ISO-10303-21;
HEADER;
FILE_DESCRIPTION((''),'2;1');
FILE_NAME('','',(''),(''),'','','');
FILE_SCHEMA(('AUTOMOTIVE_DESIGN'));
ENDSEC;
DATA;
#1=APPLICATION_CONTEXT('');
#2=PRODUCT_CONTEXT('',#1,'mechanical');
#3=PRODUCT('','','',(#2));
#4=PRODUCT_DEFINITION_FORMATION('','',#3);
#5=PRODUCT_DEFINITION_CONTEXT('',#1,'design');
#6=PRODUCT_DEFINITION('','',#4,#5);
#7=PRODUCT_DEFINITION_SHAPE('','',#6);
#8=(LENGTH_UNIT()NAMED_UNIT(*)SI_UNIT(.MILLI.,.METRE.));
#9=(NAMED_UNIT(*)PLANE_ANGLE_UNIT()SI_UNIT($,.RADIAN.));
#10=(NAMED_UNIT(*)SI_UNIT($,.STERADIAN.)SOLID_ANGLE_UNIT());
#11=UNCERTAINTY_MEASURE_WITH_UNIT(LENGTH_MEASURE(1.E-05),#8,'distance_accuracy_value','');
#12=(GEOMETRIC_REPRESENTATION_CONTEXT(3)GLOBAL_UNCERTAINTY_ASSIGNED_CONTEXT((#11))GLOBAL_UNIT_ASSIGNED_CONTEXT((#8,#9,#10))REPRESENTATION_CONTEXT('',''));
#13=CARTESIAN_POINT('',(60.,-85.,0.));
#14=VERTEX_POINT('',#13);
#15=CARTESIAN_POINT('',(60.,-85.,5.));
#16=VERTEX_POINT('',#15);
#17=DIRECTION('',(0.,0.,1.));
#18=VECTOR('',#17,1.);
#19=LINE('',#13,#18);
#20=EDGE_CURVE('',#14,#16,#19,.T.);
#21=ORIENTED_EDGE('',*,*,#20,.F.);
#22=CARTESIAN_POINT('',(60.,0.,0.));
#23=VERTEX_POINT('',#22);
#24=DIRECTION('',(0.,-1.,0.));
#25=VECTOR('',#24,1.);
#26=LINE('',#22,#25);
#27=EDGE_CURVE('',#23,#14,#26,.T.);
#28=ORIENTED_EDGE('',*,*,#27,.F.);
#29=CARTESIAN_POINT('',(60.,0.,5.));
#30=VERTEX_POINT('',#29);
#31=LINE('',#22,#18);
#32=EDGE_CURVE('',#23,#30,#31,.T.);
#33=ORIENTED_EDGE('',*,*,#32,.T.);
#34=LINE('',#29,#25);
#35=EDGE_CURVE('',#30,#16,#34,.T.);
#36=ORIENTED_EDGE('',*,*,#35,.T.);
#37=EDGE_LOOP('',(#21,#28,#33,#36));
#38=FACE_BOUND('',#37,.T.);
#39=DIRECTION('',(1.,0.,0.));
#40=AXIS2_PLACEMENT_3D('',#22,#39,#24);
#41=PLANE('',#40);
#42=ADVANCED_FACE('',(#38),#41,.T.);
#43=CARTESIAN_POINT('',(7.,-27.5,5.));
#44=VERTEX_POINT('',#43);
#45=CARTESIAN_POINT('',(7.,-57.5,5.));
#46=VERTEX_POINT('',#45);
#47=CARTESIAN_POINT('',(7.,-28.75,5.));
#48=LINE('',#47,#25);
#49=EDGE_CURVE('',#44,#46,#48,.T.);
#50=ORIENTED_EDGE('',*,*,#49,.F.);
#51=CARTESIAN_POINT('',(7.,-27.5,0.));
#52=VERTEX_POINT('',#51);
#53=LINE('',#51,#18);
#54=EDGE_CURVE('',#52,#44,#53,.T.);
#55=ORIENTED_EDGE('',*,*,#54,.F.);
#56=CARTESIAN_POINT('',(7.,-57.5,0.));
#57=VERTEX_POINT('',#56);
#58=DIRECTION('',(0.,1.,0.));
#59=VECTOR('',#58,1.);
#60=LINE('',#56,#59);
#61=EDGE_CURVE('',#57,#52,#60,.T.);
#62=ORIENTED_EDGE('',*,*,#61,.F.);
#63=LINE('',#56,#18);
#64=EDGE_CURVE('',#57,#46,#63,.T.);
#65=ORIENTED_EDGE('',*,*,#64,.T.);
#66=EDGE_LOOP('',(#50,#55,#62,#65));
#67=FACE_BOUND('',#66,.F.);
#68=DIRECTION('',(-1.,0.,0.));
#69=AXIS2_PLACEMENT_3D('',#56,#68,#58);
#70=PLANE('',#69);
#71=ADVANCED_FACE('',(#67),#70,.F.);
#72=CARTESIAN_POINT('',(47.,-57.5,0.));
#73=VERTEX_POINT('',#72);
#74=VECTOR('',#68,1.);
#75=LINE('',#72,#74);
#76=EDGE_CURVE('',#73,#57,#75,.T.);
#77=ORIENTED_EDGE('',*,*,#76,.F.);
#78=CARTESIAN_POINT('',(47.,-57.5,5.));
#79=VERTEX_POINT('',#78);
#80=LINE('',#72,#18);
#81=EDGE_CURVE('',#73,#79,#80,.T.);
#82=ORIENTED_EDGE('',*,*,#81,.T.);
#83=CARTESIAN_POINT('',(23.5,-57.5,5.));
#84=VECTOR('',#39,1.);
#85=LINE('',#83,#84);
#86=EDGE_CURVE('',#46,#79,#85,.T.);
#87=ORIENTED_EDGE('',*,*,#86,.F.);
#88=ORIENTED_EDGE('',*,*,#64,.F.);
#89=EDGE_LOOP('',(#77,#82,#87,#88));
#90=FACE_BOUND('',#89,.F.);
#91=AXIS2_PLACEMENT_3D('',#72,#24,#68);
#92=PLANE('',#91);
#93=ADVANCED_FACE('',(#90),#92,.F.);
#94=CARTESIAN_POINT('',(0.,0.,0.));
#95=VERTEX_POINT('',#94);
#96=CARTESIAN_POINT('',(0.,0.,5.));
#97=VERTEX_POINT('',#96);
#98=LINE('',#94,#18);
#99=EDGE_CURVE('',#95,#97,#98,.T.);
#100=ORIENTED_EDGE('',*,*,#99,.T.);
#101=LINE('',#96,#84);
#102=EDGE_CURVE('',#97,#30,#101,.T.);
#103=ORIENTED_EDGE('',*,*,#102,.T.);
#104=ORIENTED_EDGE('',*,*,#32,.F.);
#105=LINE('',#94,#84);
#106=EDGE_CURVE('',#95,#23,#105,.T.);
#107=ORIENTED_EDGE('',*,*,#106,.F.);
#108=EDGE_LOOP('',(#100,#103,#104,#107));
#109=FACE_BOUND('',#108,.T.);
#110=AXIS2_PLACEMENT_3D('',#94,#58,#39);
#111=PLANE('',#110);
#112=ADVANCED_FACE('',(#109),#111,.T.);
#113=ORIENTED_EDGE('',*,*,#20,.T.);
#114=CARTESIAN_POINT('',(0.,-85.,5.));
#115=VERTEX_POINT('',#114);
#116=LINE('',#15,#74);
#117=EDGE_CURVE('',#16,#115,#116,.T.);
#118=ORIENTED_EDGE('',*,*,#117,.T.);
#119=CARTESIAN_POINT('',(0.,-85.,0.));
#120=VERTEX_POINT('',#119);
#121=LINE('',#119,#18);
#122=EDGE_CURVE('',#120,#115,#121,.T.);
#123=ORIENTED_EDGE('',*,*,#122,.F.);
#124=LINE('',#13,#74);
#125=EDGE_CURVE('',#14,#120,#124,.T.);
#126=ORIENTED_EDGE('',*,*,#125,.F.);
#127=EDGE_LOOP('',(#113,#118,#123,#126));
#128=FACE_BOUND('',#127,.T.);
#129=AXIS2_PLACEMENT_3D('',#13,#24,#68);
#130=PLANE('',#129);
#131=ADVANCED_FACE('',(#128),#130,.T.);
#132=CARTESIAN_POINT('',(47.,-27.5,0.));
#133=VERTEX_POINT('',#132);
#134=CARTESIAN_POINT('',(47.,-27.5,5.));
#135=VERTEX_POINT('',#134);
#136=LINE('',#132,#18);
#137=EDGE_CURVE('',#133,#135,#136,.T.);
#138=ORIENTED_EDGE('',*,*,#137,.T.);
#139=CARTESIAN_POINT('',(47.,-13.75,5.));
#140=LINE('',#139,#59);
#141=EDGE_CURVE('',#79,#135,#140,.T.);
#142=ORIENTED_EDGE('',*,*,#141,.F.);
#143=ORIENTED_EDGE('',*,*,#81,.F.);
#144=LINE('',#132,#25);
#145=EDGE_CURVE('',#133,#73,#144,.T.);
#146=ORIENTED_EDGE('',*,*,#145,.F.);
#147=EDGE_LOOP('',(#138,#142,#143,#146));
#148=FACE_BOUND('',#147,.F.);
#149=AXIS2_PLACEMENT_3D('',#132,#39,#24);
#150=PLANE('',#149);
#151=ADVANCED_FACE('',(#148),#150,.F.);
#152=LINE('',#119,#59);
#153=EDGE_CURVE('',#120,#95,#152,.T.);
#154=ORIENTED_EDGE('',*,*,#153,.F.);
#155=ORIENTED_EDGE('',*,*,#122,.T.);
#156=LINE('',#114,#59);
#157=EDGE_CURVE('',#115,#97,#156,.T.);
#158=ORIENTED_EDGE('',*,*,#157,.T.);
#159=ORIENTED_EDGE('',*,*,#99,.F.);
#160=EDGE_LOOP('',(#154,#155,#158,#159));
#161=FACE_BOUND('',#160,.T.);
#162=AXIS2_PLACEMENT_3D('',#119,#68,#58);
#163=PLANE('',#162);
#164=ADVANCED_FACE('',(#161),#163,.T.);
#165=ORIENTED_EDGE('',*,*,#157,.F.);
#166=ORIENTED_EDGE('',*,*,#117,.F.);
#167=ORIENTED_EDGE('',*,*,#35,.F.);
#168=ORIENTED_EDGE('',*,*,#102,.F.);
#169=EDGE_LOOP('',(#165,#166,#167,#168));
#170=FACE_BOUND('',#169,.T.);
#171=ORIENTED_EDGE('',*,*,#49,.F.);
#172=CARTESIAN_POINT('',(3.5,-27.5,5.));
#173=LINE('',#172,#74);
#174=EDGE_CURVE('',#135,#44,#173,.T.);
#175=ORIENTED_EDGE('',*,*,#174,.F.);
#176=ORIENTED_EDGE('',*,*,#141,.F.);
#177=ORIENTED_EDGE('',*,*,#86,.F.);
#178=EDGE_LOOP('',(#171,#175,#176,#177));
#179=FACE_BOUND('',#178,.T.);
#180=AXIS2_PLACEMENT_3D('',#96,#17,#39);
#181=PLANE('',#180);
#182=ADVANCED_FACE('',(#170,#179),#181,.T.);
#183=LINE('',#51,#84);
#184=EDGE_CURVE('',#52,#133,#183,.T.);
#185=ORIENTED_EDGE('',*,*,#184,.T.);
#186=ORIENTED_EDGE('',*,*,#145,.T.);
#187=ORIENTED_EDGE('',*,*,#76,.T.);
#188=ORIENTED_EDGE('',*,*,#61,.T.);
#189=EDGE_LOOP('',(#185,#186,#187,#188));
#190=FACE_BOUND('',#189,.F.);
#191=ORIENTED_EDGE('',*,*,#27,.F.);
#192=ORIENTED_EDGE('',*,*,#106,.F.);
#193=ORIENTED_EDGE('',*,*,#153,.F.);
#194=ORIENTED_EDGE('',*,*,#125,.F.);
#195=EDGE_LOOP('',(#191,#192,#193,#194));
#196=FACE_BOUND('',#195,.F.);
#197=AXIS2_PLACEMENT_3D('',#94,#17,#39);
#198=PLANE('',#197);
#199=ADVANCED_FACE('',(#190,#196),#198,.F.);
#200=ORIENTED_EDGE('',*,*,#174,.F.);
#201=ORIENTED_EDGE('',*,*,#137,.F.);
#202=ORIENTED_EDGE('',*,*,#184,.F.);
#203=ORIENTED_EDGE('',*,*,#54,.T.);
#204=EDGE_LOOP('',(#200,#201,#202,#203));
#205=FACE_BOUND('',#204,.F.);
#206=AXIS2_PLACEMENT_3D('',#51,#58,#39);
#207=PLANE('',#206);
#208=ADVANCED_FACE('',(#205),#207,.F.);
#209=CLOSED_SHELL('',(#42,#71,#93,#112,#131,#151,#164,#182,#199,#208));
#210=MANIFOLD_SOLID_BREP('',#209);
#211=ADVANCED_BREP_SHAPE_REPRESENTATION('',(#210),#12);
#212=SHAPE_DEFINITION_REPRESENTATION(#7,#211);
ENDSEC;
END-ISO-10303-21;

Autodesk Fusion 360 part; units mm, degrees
sketch "Sketch1" plane through (0, 0, 0) normal (0, 0, 1) x (1, 0, 0)
  line L0 (0, 0) -> (60, 0)
  line L1 (60, 0) -> (60, -85)
  line L2 (60, -85) -> (0, -85)
  line L3 (0, -85) -> (0, 0)
  line L4 (7, -27.5) -> (47, -27.5)
  line L5 (47, -27.5) -> (47, -57.5)
  line L6 (47, -57.5) -> (7, -57.5)
  line L7 (7, -57.5) -> (7, -27.5)
  dimension "d7" = 60
  dimension "d8" = 85
  dimension "d15" = 40
  dimension "d16" = 30
  dimension "d17" = 7
  dimension "d18" = 27.5
extrude "Extrude1" add sketch "Sketch1" along normal blind 5 contours L0 L1 L2 L3 | L4 L5 L6 L7
extrude "Extrude2" cut sketch "Sketch1" along normal blind 100 contours L4 L5 L6 L7
equation "perfboard_length = 65 mm"
equation "perfboard_width = 40 mm"
equation "width = perfboard_length + 2 * screw_radius * 2"
equation "length = perfboard_width + 2 * screw_radius * 2"
equation "height = 5 mm"
equation "d7 = length"
equation "d8 = width"
equation "d9 = height"
equation "middle_gap_width = 30 mm"
equation "middle_gap_length = length - 2 * screw_radius * 2"
equation "middle_gap_small_distance = 7 mm"
equation "middle_gap_big_distance = ( width - middle_gap_width ) / 2"
equation "d15 = middle_gap_length"
equation "d16 = middle_gap_width"
equation "d17 = middle_gap_small_distance"
equation "d18 = middle_gap_big_distance"
equation "extra = 100 mm"
equation "d20 = extra"
equation "screw_radius = 5 mm"
